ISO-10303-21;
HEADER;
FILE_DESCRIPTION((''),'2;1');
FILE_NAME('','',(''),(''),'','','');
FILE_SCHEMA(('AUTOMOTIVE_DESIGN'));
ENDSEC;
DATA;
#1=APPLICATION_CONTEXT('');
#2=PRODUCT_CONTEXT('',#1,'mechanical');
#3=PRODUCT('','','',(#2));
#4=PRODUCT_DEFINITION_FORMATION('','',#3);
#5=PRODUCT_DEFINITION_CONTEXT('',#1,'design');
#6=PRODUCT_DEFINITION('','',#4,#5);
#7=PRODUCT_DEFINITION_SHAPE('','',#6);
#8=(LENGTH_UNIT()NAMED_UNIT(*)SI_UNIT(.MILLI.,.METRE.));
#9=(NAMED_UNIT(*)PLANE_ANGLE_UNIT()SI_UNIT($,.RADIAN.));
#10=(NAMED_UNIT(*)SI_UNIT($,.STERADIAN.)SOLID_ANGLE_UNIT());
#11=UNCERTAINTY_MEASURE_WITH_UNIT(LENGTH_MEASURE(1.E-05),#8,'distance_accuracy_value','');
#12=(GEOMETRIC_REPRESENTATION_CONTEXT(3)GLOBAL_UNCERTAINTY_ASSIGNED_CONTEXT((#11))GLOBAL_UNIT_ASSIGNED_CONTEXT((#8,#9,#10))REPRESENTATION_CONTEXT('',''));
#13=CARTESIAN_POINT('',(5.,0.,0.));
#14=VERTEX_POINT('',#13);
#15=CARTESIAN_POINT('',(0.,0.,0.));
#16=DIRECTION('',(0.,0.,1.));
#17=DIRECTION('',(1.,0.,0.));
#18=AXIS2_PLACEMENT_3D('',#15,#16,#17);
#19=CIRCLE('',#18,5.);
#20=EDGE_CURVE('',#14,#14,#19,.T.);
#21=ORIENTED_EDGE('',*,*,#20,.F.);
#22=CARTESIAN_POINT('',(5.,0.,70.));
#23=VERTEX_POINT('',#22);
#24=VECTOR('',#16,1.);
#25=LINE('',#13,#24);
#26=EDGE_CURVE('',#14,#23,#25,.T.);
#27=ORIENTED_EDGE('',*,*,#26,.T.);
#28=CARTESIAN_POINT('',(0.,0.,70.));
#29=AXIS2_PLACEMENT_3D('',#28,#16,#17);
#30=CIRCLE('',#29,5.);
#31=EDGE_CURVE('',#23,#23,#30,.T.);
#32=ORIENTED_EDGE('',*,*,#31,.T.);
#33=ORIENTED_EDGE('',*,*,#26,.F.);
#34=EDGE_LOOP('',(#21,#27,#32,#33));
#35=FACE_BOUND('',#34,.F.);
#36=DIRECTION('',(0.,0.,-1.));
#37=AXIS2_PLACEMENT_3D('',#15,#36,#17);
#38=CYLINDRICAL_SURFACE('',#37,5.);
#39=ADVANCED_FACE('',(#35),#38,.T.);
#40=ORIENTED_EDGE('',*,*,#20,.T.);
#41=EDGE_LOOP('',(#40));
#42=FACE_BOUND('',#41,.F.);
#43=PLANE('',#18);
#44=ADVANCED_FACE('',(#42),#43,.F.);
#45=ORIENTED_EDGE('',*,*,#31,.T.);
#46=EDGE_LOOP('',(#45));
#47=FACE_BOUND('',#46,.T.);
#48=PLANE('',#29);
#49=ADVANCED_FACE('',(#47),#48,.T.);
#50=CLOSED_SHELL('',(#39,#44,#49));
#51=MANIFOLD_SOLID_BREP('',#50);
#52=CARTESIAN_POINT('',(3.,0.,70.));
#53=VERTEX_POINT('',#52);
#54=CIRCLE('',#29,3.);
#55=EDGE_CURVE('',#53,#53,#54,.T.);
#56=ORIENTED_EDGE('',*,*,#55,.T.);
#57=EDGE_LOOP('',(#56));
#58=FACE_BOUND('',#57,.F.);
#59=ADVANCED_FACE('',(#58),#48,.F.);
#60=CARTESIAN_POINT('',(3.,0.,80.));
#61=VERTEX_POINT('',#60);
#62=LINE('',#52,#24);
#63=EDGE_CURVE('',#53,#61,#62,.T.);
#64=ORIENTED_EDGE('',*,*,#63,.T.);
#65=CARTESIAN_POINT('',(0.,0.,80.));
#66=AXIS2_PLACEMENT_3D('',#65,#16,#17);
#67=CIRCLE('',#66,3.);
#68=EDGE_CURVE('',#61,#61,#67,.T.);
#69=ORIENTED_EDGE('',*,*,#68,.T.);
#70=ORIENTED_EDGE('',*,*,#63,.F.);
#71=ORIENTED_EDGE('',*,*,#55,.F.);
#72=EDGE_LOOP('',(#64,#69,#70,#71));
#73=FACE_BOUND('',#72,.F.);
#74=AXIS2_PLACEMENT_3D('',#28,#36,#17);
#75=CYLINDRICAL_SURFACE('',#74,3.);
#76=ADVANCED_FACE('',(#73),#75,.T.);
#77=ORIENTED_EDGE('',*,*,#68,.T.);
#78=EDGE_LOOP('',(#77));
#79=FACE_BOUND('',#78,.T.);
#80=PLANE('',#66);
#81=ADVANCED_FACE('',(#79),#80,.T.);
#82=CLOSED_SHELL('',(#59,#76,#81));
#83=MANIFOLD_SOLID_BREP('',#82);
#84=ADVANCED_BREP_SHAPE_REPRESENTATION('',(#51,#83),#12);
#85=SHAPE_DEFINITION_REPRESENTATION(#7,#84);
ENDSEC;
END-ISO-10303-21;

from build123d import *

# Parameters (mm, degrees)
CYLINDER_R        = 5
CYLINDER_DEPTH    = 70
CYLINDER001_R     = 3
CYLINDER001_DEPTH = 10


with BuildPart() as cylinder:
    # Cylinder → Cylinder (new body)
    with BuildSketch(Plane.XY):
        Circle(CYLINDER_R)
    extrude(amount=CYLINDER_DEPTH)


with BuildPart() as cylinder001:
    # Cylinder001 → Cylinder001 (new body)
    with BuildSketch(Plane.XY.offset(70)):
        Circle(CYLINDER001_R)
    extrude(amount=CYLINDER001_DEPTH)


solid = Compound([cylinder.part, cylinder001.part])
